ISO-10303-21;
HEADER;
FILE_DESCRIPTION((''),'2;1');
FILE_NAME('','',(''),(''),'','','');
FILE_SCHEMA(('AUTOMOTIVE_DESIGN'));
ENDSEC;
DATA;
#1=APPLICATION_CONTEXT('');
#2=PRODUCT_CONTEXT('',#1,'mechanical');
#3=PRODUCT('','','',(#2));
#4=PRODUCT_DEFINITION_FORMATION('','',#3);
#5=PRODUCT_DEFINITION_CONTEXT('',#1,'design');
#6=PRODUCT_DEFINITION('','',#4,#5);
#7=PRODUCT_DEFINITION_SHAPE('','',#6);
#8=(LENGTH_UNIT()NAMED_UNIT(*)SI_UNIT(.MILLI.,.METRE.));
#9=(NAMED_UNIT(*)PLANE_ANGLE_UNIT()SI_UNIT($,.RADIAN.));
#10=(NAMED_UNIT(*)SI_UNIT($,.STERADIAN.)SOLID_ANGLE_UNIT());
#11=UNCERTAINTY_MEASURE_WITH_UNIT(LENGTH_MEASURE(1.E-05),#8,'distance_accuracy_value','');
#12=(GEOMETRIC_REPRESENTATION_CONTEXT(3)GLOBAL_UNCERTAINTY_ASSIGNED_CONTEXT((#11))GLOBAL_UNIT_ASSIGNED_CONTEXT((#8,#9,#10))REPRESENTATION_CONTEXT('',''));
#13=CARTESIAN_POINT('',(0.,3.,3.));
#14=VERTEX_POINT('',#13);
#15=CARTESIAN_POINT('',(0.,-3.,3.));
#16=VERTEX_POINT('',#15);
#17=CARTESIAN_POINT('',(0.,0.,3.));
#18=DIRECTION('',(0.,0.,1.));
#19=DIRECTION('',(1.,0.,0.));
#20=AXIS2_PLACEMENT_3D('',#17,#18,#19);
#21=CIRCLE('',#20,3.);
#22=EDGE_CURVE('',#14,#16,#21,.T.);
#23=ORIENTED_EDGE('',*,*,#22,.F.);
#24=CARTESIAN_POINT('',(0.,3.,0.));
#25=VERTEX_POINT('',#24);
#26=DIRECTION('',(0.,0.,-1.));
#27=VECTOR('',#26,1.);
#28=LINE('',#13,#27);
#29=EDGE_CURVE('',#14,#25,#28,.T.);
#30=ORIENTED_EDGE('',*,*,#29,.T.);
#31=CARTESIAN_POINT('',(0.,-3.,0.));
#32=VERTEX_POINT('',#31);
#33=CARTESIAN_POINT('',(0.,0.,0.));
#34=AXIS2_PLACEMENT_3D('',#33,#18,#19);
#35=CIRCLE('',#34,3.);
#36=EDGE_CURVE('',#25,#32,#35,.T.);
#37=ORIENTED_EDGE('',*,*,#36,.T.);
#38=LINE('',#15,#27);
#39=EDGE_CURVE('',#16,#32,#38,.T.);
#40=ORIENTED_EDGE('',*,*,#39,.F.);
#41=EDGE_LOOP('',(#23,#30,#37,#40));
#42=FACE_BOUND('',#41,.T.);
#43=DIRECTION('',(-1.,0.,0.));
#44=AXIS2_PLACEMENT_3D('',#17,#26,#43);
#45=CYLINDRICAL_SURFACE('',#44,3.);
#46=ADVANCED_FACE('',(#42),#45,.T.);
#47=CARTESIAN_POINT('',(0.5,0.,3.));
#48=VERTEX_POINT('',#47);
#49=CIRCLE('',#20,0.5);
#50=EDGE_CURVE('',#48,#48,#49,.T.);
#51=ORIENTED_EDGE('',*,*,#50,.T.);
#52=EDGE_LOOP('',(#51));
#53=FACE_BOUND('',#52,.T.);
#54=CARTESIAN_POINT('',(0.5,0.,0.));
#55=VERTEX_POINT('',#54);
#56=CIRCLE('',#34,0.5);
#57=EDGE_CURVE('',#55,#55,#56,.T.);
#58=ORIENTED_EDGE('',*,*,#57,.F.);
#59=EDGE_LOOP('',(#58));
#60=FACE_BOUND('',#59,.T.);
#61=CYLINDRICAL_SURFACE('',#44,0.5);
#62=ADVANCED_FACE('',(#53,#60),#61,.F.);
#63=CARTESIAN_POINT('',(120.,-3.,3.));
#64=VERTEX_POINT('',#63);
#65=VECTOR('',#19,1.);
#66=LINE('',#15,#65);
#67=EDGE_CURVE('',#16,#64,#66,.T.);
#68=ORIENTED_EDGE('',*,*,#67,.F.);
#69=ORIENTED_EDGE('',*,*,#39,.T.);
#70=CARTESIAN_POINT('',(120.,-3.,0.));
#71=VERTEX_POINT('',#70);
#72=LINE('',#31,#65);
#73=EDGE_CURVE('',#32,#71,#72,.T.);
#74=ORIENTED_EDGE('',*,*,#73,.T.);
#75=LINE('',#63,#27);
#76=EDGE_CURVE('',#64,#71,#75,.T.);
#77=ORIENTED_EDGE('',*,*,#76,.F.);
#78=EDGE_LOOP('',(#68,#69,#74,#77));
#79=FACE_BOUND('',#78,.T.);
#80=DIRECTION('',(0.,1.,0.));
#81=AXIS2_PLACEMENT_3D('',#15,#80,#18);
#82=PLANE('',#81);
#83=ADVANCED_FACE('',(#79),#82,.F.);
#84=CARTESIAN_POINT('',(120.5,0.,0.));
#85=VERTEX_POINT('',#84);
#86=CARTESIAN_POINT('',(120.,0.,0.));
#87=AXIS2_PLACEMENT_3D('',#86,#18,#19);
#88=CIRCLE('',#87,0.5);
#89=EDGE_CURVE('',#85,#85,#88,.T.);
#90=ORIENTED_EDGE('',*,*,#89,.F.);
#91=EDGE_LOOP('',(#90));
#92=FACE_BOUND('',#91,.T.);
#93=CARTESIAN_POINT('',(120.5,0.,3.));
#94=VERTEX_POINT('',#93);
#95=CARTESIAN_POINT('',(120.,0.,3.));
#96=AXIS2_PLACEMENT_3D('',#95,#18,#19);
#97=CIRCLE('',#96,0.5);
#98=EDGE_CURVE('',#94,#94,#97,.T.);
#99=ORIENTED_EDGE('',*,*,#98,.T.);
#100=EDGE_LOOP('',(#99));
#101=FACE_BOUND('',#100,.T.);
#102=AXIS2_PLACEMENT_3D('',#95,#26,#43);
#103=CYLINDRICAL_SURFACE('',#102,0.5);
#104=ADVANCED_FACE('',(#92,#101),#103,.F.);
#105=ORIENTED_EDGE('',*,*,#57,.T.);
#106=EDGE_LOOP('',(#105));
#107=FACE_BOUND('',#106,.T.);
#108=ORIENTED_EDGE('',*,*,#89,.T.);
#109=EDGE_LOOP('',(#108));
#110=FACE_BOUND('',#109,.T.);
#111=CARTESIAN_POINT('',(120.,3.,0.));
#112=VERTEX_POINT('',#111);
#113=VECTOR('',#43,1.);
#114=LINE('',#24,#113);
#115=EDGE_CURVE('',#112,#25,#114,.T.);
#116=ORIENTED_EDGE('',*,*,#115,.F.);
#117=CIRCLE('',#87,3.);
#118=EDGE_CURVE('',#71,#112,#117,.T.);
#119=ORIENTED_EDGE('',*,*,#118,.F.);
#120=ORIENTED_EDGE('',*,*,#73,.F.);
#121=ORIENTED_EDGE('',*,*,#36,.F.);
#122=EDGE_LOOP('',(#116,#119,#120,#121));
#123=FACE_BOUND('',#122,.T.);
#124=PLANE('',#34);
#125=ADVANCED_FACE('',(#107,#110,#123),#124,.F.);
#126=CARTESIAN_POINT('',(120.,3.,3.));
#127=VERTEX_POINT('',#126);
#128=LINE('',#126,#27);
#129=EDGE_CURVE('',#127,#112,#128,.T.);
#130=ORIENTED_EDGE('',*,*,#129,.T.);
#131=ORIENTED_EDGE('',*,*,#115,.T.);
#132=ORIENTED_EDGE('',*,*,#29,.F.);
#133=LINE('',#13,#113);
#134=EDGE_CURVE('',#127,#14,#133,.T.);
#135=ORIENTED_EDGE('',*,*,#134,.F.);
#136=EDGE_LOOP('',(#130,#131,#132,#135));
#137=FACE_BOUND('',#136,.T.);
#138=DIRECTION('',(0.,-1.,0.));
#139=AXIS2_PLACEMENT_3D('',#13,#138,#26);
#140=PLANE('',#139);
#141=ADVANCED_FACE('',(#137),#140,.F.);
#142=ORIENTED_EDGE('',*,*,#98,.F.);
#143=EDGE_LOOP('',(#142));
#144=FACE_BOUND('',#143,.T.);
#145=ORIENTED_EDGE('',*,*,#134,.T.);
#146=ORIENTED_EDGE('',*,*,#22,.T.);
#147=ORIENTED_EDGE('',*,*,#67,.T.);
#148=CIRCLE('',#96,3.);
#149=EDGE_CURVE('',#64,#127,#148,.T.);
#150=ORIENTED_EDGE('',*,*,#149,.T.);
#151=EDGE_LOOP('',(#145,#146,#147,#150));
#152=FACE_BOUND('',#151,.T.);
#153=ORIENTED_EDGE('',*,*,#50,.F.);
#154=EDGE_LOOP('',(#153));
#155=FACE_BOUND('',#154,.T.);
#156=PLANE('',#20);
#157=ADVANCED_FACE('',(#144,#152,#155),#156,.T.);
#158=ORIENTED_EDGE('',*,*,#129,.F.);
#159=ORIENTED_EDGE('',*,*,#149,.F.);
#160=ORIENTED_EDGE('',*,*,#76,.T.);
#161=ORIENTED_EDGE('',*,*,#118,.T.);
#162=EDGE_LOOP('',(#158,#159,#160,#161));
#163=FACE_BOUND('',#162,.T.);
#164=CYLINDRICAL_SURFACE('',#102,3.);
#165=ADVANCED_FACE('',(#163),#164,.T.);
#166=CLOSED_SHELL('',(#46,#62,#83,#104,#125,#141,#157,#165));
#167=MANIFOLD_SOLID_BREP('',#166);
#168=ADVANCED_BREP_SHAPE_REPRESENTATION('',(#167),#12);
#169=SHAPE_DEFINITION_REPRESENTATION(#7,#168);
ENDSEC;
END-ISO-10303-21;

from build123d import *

# Parameters (mm, degrees)
SKETCH2_R           = 0.5
BOSS_EXTRUDE1_DEPTH = 3


with BuildPart() as part:
    # Sketch2 → Boss-Extrude1 (new body)
    with BuildSketch(Plane.XY):
        with BuildLine():
            Line((0, 3), (120, 3))
            ThreePointArc((120, 3), (123, 0), (120, -3))
            Line((120, -3), (0, -3))
            ThreePointArc((0, -3), (-3, 0), (0, 3))
        make_face()
        Circle(SKETCH2_R, mode=Mode.SUBTRACT)
        with Locations((120, 0)):
            Circle(SKETCH2_R, mode=Mode.SUBTRACT)
    extrude(amount=BOSS_EXTRUDE1_DEPTH)


solid = part.part
